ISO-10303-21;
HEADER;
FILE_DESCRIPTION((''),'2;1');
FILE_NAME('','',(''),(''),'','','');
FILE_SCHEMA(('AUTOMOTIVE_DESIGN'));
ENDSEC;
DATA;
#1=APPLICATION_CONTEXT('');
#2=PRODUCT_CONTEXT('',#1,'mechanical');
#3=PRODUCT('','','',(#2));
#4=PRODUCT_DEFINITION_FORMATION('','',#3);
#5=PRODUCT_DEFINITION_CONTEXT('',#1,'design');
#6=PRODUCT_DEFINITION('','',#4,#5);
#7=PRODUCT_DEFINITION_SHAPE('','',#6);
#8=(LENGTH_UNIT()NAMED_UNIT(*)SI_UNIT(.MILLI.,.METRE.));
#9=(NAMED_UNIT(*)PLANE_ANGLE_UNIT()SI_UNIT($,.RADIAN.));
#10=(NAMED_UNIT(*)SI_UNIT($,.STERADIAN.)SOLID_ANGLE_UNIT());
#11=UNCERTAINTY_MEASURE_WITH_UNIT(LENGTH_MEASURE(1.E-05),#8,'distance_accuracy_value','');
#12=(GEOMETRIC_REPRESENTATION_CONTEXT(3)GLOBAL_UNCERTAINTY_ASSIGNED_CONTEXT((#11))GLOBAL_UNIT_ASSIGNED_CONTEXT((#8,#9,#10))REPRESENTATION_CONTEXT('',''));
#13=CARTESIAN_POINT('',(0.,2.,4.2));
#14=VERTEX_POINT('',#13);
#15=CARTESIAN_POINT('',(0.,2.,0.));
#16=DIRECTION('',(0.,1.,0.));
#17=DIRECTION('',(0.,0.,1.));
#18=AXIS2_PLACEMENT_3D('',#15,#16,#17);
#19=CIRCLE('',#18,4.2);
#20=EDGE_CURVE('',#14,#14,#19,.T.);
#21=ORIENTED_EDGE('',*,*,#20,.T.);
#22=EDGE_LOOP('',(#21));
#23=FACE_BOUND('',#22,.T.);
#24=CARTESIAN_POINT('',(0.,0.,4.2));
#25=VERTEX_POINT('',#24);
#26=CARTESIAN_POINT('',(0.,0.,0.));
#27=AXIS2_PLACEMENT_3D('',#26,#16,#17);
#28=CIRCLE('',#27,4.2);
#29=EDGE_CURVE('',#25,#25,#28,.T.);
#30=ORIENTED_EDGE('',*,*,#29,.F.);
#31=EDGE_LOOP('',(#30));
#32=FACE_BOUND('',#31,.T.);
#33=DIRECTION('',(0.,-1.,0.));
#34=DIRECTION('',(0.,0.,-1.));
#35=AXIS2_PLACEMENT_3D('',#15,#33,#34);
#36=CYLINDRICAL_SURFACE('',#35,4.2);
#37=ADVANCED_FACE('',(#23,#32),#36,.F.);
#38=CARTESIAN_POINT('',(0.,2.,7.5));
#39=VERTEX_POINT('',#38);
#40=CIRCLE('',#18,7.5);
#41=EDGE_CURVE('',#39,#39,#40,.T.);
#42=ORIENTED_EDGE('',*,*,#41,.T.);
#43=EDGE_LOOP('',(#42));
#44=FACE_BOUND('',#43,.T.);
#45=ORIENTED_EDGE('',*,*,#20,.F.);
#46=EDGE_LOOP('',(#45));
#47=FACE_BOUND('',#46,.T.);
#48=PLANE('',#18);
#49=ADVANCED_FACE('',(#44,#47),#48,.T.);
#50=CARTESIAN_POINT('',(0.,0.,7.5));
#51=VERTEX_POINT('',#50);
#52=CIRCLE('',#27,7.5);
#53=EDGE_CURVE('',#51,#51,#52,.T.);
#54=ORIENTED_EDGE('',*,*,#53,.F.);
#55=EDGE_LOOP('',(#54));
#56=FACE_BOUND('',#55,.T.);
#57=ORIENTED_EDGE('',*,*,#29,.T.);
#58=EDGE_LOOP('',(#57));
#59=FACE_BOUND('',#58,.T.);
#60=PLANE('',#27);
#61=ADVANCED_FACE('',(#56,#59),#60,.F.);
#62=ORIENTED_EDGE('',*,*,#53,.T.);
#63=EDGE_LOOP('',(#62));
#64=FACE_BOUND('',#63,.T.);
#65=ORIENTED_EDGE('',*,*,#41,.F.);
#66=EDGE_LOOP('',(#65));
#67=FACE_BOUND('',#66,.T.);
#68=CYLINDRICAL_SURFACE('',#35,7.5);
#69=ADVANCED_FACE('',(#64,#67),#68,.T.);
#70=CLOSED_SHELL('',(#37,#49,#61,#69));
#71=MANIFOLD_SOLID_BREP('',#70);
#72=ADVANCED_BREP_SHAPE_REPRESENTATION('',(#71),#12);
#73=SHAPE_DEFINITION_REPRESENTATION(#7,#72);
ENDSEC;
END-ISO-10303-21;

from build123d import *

# Parameters (mm, degrees)
SKETCH_1_R      = 7.5
SKETCH_1_R_2    = 4.2
EXTRUDE_1_DEPTH = 2


with BuildPart() as part:
    # Эскиз1 → Вытянуть1 (new body)
    with BuildSketch(Plane(origin=(0, 0, 0), x_dir=(1, 0, 0), z_dir=(0, 1, 0))):
        Circle(SKETCH_1_R)
        Circle(SKETCH_1_R_2, mode=Mode.SUBTRACT)
    extrude(amount=EXTRUDE_1_DEPTH)


solid = part.part
